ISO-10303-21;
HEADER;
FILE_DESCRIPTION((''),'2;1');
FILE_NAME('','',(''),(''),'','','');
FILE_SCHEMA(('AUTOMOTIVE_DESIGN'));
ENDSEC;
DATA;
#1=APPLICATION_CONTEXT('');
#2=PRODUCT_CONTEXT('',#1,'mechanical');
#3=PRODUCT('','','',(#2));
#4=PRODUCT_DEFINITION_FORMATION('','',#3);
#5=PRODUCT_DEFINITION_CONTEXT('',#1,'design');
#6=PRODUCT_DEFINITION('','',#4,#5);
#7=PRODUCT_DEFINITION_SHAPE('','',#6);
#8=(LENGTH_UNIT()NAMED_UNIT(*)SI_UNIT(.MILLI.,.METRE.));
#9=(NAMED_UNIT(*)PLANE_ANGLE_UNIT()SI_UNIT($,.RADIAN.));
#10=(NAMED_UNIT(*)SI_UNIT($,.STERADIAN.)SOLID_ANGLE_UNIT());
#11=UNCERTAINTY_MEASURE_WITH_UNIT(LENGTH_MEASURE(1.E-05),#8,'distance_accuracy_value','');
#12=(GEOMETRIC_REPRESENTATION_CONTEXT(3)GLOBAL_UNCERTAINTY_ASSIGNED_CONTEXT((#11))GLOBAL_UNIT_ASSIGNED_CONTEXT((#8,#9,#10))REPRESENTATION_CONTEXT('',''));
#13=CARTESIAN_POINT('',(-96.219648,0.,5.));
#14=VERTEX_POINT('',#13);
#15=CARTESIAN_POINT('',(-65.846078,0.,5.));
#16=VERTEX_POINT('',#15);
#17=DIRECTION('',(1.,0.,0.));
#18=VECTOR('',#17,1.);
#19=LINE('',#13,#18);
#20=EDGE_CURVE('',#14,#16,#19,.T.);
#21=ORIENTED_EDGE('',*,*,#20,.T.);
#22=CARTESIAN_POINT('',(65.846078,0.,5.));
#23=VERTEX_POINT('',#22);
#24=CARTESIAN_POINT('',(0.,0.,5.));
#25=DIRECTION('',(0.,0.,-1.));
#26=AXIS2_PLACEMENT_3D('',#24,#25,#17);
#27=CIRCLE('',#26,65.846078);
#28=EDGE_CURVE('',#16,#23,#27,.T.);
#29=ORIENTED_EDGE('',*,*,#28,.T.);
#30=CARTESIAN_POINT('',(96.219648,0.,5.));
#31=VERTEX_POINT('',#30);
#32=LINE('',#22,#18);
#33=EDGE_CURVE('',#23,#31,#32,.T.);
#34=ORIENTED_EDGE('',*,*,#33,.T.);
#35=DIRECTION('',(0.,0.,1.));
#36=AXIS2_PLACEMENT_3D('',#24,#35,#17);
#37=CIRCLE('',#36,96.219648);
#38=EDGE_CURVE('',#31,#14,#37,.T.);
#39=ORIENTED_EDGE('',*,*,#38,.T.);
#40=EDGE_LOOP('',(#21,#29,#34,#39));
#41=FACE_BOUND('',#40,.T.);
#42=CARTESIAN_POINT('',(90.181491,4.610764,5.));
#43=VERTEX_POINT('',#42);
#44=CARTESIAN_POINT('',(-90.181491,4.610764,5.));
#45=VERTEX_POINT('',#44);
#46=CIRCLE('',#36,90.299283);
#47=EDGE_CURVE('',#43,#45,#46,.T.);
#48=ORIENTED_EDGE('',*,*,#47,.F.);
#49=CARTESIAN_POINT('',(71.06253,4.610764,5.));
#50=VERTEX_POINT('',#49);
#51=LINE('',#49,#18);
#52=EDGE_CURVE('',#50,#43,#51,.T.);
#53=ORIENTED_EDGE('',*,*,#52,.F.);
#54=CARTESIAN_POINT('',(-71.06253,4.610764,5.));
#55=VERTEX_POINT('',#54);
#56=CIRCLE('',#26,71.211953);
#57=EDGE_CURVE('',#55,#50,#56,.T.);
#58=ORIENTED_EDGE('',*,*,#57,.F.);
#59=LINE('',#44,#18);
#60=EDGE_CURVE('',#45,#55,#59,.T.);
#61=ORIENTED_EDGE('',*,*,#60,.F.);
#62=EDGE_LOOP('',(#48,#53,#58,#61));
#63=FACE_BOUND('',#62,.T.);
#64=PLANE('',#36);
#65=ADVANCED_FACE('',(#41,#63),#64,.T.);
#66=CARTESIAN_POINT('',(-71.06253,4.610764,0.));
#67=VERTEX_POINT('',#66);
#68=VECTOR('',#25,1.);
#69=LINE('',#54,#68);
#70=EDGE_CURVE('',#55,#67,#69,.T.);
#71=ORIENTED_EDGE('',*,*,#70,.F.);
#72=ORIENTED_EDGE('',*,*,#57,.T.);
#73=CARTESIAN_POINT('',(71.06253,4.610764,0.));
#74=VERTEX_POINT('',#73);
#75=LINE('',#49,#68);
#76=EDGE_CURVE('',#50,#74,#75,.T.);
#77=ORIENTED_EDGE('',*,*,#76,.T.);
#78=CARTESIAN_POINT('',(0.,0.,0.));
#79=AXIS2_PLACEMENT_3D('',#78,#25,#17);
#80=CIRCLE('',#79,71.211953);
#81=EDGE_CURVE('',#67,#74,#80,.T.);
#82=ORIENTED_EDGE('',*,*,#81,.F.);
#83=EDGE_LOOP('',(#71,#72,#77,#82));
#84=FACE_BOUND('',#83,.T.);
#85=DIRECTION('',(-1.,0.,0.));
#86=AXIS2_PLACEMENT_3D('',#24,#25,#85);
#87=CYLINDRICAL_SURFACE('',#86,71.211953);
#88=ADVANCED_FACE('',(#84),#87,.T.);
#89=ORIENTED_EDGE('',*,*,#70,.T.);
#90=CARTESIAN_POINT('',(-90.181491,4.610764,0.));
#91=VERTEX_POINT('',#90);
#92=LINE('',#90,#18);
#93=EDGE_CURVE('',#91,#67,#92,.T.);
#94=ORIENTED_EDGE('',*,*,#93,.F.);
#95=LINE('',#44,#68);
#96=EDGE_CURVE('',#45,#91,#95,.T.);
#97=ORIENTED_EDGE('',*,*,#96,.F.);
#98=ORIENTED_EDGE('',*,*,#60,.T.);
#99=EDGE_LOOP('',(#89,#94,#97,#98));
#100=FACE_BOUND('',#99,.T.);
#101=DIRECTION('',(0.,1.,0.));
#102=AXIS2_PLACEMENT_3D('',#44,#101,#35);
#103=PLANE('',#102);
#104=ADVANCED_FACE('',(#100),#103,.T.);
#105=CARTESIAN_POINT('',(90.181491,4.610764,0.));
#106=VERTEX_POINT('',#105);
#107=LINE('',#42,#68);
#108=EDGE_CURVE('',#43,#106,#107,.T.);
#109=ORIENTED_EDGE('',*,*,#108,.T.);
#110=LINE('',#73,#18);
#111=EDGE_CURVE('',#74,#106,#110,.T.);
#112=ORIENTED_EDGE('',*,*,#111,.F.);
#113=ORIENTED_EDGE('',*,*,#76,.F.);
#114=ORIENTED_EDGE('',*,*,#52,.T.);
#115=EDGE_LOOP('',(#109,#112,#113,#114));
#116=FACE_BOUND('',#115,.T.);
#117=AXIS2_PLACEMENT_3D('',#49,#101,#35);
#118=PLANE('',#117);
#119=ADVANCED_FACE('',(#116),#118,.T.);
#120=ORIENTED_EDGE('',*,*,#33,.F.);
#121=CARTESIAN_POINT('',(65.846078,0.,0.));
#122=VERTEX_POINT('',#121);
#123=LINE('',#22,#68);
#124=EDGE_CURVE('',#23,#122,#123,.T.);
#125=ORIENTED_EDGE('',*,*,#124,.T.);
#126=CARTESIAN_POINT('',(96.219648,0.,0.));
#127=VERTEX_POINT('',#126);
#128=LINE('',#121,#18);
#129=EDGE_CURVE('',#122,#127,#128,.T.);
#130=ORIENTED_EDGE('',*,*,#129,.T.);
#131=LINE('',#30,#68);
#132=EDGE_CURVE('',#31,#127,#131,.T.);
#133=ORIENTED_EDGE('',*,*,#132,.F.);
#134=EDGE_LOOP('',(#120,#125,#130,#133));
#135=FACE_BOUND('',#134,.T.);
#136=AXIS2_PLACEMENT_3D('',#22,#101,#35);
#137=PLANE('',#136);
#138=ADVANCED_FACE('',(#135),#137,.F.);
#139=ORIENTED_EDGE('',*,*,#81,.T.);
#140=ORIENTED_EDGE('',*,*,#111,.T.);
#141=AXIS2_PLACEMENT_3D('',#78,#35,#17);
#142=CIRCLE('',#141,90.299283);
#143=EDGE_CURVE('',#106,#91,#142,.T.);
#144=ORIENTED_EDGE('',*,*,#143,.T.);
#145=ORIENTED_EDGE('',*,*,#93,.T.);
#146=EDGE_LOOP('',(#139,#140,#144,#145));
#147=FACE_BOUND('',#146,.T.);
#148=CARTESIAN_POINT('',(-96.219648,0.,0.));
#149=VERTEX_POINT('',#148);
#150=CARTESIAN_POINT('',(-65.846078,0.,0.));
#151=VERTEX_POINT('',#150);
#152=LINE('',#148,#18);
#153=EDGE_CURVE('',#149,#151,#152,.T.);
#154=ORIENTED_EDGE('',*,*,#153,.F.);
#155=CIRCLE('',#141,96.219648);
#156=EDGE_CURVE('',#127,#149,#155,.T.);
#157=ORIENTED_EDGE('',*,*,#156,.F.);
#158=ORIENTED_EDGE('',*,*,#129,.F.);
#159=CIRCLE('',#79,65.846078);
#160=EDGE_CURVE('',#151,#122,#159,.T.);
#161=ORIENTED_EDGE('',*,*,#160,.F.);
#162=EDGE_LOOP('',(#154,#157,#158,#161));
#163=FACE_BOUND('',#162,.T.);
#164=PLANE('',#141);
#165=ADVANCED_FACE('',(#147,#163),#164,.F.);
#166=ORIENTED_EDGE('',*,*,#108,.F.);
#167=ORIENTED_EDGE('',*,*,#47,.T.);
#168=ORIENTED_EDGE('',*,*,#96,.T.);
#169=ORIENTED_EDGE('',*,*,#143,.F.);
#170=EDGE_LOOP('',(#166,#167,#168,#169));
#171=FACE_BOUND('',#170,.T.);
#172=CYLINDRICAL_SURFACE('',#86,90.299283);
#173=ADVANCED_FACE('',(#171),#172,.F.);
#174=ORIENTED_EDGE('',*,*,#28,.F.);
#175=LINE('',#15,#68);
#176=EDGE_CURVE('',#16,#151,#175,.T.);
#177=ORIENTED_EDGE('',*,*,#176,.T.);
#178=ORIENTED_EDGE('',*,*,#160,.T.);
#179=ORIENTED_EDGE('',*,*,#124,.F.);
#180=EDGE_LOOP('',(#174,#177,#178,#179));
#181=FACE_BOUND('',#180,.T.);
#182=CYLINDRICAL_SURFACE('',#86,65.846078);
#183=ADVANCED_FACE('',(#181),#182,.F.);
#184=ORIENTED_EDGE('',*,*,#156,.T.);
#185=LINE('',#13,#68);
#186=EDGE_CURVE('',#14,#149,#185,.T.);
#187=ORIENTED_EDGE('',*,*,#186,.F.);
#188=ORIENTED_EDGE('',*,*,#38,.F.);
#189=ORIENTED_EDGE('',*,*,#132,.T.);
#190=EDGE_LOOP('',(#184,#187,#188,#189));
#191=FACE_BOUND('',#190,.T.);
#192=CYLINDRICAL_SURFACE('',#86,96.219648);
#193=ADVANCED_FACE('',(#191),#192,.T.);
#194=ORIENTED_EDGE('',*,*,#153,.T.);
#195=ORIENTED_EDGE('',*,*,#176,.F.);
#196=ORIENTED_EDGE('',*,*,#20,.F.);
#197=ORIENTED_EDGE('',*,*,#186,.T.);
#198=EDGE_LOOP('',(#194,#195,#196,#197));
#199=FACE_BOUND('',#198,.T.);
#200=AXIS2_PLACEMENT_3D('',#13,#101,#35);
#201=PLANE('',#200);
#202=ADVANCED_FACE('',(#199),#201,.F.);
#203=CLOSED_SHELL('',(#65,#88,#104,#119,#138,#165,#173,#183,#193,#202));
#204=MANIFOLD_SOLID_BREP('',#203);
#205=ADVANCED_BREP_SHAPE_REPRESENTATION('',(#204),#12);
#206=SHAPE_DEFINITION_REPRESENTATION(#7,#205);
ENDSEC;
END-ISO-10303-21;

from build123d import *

# Parameters (mm, degrees)
BOSS_EXTRUDE1_DEPTH = 5


with BuildPart() as part:
    # Sketch1 → Boss-Extrude1 (new body)
    with BuildSketch(Plane.XY):
        with BuildLine():
            Line((-96.219647575, 0), (-65.846077968, 0))
            ThreePointArc((-65.846077968, 0), (0, 65.846077968), (65.846077968, 0))
            Line((65.846077968, 0), (96.219647575, 0))
            ThreePointArc((96.219647575, 0), (0, 96.219647575), (-96.219647575, 0))
        make_face()
        with BuildLine():
            Line((-90.181491194, 4.610764133), (-71.062529975, 4.610764133))
            ThreePointArc((-71.062529975, 4.610764133), (0, 71.211953437), (71.062529975, 4.610764133))
            Line((71.062529975, 4.610764133), (90.181491194, 4.610764133))
            ThreePointArc((90.181491194, 4.610764133), (0, 90.299282942), (-90.181491194, 4.610764133))
        make_face(mode=Mode.SUBTRACT)
    extrude(amount=BOSS_EXTRUDE1_DEPTH)


solid = part.part
